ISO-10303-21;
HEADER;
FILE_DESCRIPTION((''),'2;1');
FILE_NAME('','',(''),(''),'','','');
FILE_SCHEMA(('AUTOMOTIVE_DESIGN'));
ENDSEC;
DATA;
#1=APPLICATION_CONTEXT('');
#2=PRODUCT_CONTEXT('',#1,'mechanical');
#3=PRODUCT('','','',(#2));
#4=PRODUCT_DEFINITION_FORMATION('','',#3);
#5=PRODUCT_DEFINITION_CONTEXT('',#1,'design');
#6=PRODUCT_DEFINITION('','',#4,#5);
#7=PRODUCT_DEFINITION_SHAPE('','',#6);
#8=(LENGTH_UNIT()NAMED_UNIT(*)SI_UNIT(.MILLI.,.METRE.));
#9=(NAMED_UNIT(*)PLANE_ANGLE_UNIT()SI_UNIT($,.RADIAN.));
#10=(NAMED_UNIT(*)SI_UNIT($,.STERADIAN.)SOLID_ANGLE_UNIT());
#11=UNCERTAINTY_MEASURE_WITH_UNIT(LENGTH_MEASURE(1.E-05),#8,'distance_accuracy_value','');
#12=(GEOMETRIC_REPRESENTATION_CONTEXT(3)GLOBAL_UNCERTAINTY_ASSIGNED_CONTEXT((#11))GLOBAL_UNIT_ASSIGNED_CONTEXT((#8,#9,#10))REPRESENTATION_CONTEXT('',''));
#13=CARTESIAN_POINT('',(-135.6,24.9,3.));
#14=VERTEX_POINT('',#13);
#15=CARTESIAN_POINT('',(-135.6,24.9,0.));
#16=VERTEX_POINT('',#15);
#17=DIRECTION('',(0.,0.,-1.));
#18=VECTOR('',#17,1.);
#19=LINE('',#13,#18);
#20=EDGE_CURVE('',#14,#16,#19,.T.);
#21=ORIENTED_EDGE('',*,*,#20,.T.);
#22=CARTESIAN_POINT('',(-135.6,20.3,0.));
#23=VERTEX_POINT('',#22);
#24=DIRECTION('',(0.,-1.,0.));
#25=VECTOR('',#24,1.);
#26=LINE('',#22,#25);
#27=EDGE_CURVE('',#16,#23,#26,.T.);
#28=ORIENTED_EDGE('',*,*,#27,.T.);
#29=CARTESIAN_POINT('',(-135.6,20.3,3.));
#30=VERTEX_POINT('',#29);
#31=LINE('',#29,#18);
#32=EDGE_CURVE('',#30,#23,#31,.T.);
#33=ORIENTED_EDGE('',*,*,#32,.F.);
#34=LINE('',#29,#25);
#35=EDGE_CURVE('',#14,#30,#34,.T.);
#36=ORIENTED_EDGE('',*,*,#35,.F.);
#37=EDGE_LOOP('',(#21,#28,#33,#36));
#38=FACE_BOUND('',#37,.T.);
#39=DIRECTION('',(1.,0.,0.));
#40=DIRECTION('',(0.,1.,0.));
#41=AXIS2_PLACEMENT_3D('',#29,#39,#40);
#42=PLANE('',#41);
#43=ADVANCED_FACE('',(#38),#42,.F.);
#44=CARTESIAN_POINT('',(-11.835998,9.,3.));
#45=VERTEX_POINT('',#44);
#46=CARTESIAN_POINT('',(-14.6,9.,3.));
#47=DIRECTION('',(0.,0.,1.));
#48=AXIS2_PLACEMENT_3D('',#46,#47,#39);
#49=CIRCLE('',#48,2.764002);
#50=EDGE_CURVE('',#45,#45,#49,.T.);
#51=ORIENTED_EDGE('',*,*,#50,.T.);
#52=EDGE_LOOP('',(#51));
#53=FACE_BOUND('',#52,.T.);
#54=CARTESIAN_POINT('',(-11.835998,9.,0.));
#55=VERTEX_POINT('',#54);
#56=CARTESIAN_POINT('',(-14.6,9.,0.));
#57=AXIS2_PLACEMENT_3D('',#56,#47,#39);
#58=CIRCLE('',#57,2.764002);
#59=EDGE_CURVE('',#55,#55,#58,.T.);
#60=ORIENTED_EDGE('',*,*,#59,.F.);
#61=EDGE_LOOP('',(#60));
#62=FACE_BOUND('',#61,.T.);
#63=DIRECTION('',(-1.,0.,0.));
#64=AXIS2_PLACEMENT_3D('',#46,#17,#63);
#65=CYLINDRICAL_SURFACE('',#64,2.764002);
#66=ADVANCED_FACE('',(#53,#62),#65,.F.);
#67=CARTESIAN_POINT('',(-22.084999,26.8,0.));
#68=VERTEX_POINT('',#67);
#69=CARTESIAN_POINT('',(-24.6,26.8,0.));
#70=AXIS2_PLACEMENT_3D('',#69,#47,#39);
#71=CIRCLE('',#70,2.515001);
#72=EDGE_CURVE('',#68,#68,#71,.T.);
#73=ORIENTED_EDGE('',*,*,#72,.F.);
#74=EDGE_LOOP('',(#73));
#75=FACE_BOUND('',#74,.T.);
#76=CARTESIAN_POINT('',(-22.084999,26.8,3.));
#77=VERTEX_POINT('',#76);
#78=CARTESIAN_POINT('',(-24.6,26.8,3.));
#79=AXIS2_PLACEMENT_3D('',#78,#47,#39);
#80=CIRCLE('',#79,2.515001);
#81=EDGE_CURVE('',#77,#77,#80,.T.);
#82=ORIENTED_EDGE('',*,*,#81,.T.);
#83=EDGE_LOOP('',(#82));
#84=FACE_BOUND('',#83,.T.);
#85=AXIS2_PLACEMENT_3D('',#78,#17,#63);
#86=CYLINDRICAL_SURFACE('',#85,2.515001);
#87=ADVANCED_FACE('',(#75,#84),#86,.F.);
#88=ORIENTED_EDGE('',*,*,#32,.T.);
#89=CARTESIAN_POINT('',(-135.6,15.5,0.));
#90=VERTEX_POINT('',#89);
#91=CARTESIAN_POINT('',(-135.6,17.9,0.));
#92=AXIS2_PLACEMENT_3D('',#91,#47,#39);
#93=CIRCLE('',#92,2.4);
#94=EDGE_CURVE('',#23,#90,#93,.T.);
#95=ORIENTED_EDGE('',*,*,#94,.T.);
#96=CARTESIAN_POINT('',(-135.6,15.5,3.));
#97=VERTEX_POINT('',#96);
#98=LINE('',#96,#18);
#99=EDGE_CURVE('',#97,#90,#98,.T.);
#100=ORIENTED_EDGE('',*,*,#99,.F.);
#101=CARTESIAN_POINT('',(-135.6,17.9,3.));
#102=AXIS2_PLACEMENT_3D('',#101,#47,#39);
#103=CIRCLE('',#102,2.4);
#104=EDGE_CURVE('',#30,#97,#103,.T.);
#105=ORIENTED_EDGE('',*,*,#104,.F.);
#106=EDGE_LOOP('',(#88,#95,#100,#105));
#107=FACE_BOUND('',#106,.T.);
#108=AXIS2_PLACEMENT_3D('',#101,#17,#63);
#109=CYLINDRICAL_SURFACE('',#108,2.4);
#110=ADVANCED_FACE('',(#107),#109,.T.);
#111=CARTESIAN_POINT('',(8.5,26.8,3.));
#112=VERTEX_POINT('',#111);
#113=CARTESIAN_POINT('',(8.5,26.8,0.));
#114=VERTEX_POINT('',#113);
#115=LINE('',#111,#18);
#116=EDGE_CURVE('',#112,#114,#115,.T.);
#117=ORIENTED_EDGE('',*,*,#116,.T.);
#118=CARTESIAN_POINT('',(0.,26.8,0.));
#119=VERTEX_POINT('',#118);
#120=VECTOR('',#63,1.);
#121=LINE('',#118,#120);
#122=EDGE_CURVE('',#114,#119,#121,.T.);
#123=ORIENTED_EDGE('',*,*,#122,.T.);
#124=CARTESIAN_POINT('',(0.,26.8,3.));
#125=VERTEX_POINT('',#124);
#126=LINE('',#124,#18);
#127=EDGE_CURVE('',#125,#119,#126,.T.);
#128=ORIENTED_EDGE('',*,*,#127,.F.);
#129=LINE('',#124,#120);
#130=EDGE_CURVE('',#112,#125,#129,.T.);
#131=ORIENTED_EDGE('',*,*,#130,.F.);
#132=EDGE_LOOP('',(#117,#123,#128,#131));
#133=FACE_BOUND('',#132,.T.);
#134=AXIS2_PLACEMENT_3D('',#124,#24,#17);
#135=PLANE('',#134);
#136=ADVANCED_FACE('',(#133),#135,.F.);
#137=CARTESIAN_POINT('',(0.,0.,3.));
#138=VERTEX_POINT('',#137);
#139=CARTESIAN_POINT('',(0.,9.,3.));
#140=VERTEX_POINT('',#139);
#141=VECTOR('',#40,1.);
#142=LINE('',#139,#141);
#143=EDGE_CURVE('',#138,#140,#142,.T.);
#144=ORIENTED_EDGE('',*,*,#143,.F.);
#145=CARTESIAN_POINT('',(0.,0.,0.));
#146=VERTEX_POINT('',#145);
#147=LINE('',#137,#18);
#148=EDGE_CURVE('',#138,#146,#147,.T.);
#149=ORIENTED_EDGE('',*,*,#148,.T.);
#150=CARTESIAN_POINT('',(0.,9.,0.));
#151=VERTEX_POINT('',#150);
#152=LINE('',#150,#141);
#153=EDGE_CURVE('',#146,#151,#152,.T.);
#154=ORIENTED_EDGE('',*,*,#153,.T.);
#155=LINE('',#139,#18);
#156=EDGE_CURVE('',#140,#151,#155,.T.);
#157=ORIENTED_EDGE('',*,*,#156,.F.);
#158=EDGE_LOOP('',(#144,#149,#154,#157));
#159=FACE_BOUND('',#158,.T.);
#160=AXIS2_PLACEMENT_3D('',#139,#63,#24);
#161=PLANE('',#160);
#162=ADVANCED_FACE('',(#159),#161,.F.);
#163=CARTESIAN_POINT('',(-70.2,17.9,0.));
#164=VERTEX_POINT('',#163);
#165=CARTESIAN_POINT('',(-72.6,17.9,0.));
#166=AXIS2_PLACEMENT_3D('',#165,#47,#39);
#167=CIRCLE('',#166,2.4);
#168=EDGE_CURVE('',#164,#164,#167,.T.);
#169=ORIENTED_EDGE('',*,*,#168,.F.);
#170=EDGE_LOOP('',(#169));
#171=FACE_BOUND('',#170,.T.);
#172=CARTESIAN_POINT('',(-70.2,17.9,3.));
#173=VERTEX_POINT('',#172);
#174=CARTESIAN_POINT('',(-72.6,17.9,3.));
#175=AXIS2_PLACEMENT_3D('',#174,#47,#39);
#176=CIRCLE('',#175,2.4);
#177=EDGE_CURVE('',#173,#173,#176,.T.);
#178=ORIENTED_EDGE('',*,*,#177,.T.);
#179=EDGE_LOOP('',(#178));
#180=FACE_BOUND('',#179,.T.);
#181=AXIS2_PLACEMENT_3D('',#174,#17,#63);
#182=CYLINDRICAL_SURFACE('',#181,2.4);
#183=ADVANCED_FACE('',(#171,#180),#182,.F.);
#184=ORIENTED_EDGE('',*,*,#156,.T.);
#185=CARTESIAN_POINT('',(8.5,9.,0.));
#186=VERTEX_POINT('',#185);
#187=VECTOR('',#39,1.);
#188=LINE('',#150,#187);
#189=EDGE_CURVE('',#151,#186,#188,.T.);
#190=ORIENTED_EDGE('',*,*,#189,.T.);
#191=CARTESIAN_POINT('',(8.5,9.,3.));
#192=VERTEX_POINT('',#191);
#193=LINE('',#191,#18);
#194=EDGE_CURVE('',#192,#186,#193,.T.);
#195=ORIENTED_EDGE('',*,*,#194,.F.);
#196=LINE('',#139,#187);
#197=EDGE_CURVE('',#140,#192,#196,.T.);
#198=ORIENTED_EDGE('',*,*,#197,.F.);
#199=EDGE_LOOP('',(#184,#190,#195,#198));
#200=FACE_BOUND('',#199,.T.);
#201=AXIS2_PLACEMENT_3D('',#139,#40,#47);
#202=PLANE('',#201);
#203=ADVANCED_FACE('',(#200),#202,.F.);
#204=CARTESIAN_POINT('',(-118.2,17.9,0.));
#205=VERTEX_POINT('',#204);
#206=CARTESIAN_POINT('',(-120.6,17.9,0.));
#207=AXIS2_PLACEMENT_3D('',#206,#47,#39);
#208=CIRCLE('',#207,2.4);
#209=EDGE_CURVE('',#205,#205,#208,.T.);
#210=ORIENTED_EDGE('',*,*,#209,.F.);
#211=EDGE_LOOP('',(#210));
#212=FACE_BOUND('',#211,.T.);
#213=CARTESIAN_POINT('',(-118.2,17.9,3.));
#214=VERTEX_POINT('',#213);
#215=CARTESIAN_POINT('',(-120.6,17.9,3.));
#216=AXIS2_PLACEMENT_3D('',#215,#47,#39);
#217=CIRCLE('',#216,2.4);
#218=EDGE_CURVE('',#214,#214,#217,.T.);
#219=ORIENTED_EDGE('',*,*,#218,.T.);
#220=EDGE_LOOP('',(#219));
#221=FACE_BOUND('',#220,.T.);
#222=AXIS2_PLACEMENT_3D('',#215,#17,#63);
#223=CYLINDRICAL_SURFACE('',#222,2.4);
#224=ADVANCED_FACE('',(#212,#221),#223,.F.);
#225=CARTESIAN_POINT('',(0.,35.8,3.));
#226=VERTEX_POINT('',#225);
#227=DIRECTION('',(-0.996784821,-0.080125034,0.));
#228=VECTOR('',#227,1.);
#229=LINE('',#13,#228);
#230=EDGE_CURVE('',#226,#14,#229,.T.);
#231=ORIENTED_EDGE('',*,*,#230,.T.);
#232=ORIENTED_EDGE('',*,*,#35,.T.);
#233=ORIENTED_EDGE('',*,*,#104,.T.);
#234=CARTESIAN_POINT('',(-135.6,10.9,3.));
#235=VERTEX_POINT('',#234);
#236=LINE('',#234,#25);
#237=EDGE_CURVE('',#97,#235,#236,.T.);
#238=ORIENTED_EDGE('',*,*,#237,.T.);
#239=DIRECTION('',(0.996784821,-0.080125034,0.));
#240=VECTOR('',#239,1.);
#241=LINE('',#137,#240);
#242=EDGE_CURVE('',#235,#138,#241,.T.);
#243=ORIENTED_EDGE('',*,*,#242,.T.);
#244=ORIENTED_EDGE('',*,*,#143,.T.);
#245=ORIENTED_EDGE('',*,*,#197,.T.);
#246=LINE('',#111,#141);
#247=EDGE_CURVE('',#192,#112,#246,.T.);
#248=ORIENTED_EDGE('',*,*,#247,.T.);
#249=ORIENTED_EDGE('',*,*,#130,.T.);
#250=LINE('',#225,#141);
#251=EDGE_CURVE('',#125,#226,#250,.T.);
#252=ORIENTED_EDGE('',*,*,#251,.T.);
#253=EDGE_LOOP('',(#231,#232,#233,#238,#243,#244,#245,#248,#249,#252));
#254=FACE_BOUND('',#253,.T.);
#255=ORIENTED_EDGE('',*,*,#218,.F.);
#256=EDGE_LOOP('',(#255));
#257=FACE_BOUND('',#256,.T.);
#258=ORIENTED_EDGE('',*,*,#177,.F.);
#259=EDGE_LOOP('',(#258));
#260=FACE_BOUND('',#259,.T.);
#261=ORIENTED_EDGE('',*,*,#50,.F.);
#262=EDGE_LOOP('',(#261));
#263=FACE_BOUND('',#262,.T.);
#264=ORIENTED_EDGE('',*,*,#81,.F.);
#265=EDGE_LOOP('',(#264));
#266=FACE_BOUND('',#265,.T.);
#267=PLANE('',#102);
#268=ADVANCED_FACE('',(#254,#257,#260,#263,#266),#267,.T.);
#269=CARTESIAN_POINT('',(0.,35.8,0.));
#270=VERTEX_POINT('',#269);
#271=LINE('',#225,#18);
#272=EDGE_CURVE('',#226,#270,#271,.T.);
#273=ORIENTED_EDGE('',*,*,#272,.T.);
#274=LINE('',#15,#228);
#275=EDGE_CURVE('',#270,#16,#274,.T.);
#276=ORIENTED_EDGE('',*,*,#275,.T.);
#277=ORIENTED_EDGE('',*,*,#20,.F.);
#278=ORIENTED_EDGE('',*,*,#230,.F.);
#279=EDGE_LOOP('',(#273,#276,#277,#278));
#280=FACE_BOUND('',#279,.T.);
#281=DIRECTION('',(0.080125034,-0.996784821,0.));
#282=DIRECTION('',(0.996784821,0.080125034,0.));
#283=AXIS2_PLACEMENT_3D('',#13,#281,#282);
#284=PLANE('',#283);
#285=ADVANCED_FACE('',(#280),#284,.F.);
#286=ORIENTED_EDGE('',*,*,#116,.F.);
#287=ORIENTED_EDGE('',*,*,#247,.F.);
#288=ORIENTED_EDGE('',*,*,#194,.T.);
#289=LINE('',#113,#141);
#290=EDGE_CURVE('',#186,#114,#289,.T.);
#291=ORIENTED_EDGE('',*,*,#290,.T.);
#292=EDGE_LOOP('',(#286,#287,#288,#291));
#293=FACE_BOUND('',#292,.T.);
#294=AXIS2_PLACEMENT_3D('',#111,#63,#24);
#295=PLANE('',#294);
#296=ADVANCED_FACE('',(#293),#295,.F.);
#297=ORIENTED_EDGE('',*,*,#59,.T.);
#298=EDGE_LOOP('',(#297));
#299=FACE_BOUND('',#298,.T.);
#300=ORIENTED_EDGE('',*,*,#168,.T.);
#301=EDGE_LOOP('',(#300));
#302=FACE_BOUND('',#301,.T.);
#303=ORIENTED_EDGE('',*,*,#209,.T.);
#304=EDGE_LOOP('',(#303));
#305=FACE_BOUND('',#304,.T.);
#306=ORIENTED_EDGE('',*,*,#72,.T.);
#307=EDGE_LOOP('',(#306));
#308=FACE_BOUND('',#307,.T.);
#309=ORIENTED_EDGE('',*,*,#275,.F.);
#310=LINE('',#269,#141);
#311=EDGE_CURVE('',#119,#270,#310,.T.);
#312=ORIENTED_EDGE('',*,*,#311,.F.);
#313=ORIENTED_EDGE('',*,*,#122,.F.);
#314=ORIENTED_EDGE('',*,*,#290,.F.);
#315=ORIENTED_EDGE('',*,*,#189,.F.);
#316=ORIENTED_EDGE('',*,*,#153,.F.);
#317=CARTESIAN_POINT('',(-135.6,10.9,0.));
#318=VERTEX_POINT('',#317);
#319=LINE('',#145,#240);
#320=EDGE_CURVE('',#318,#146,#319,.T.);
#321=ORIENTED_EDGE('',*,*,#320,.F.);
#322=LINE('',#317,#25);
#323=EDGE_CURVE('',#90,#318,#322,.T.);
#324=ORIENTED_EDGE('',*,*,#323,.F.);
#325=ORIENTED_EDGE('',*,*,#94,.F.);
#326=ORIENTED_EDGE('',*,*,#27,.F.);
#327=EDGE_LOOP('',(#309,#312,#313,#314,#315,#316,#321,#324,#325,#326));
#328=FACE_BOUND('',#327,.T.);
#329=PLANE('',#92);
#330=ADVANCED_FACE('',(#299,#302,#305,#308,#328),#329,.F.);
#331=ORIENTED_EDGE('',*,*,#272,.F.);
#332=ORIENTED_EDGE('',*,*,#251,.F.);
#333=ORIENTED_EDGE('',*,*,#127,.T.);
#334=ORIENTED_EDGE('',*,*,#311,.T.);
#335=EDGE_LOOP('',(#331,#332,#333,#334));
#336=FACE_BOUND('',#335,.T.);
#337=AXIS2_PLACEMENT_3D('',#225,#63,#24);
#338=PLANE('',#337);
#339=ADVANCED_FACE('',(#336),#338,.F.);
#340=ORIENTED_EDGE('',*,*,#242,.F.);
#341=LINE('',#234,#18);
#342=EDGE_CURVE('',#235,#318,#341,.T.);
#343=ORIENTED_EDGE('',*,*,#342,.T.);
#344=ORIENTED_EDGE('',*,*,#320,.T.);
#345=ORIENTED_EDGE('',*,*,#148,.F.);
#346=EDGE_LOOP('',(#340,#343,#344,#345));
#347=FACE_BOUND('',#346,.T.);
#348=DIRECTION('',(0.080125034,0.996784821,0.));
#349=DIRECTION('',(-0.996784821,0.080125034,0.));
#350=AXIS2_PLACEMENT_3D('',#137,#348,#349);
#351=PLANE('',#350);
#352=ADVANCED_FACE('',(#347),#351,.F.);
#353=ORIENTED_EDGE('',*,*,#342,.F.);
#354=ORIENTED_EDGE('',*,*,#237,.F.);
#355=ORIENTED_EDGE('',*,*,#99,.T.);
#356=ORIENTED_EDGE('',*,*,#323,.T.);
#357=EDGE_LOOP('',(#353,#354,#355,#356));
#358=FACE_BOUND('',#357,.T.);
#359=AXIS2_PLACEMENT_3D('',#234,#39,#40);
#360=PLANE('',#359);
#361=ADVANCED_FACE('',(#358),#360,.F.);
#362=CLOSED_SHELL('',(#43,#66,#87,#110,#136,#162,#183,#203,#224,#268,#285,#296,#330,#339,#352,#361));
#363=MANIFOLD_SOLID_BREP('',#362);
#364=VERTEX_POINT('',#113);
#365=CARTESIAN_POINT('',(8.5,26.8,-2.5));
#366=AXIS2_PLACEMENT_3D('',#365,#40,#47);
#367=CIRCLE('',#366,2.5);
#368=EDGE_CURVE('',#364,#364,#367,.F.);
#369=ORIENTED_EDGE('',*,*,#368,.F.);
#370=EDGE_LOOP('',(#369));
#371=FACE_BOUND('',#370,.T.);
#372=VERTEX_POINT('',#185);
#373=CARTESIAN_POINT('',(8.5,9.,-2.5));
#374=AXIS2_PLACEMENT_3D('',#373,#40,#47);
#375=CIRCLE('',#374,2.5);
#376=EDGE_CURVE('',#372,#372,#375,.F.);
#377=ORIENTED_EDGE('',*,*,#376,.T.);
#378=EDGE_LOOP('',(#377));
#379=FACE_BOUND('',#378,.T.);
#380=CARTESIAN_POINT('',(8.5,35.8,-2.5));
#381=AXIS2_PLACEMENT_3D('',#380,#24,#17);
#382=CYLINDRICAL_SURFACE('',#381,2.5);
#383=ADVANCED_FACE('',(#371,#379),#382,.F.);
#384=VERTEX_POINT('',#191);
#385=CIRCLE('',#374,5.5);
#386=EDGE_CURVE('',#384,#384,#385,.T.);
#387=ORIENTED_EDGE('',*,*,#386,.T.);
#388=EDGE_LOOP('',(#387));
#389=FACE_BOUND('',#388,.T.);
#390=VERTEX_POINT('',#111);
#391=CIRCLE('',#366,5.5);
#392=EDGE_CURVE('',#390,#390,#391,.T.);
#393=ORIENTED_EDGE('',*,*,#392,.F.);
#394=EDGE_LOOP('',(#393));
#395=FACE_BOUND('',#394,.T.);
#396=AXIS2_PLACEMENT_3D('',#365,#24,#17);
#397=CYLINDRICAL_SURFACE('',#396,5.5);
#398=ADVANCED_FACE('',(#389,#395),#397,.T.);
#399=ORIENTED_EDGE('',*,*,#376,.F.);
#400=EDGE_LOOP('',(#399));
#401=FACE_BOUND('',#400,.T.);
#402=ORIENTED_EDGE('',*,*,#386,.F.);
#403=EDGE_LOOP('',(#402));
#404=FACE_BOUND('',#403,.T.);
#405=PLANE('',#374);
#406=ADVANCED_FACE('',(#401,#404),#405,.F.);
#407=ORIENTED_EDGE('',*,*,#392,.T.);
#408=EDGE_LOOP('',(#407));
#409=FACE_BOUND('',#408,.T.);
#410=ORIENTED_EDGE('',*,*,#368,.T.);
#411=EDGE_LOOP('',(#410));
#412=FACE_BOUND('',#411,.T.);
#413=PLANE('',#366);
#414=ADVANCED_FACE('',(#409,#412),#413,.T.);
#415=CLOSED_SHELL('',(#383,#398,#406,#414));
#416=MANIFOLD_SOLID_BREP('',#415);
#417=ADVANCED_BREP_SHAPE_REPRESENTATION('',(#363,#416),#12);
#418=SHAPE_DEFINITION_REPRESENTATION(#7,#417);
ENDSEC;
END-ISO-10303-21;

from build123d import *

# Parameters (mm, degrees)
SKETCH1_R           = 2.4
SKETCH1_R_2         = 2.515000774
SKETCH1_R_3         = 2.764002303
BOSS_EXTRUDE1_DEPTH = 3
BOSS_EXTRUDE2_START = 9
SKETCH2_R           = 5.5
BOSS_EXTRUDE2_DEPTH = 17.8
SKETCH4_R           = 2.5
CUT_EXTRUDE1_DEPTH  = 143.792296711


with BuildPart() as part:
    # Sketch1 → Boss-Extrude1 (new body)
    with BuildSketch(Plane.XY):
        with BuildLine():
            Line((0, 0), (-135.6, 10.9))
            Line((-135.6, 10.9), (-135.6, 15.5))
            ThreePointArc((-135.6, 15.5), (-138, 17.9), (-135.6, 20.3))
            Line((-135.6, 20.3), (-135.6, 24.9))
            Line((-135.6, 24.9), (0, 35.8))
            Line((0, 35.8), (0, 26.8))
            Line((0, 26.8), (8.5, 26.8))
            Line((8.5, 26.8), (8.5, 9))
            Line((8.5, 9), (0, 9))
            Line((0, 9), (0, 0))
        make_face()
        with Locations((-120.6, 17.9)):
            Circle(SKETCH1_R, mode=Mode.SUBTRACT)
        with Locations((-72.6, 17.9)):
            Circle(SKETCH1_R, mode=Mode.SUBTRACT)
        with Locations((-24.6, 26.8)):
            Circle(SKETCH1_R_2, mode=Mode.SUBTRACT)
        with Locations((-14.6, 9)):
            Circle(SKETCH1_R_3, mode=Mode.SUBTRACT)
    extrude(amount=BOSS_EXTRUDE1_DEPTH)


with BuildPart() as body_2:
    # Sketch2 → Boss-Extrude2 (new body)
    with BuildSketch(Plane(origin=(0, 0, 0), x_dir=(1, 0, 0), z_dir=(0, 1, 0)).offset(BOSS_EXTRUDE2_START)):
        with Locations(Location((8.5, 2.5, 0), (0, 0, 270))):
            Circle(SKETCH2_R)
    extrude(amount=BOSS_EXTRUDE2_DEPTH)

    # Sketch4 → Cut-Extrude1 (cut, through all)
    with BuildSketch(Plane(origin=(0, 0, 0), x_dir=(1, 0, 0), z_dir=(0, 1, 0))):
        with Locations(Location((8.5, 2.5, 0), (0, 0, 270))):
            Circle(SKETCH4_R)
    extrude(amount=CUT_EXTRUDE1_DEPTH, mode=Mode.SUBTRACT)


solid = Compound([part.part, body_2.part])
